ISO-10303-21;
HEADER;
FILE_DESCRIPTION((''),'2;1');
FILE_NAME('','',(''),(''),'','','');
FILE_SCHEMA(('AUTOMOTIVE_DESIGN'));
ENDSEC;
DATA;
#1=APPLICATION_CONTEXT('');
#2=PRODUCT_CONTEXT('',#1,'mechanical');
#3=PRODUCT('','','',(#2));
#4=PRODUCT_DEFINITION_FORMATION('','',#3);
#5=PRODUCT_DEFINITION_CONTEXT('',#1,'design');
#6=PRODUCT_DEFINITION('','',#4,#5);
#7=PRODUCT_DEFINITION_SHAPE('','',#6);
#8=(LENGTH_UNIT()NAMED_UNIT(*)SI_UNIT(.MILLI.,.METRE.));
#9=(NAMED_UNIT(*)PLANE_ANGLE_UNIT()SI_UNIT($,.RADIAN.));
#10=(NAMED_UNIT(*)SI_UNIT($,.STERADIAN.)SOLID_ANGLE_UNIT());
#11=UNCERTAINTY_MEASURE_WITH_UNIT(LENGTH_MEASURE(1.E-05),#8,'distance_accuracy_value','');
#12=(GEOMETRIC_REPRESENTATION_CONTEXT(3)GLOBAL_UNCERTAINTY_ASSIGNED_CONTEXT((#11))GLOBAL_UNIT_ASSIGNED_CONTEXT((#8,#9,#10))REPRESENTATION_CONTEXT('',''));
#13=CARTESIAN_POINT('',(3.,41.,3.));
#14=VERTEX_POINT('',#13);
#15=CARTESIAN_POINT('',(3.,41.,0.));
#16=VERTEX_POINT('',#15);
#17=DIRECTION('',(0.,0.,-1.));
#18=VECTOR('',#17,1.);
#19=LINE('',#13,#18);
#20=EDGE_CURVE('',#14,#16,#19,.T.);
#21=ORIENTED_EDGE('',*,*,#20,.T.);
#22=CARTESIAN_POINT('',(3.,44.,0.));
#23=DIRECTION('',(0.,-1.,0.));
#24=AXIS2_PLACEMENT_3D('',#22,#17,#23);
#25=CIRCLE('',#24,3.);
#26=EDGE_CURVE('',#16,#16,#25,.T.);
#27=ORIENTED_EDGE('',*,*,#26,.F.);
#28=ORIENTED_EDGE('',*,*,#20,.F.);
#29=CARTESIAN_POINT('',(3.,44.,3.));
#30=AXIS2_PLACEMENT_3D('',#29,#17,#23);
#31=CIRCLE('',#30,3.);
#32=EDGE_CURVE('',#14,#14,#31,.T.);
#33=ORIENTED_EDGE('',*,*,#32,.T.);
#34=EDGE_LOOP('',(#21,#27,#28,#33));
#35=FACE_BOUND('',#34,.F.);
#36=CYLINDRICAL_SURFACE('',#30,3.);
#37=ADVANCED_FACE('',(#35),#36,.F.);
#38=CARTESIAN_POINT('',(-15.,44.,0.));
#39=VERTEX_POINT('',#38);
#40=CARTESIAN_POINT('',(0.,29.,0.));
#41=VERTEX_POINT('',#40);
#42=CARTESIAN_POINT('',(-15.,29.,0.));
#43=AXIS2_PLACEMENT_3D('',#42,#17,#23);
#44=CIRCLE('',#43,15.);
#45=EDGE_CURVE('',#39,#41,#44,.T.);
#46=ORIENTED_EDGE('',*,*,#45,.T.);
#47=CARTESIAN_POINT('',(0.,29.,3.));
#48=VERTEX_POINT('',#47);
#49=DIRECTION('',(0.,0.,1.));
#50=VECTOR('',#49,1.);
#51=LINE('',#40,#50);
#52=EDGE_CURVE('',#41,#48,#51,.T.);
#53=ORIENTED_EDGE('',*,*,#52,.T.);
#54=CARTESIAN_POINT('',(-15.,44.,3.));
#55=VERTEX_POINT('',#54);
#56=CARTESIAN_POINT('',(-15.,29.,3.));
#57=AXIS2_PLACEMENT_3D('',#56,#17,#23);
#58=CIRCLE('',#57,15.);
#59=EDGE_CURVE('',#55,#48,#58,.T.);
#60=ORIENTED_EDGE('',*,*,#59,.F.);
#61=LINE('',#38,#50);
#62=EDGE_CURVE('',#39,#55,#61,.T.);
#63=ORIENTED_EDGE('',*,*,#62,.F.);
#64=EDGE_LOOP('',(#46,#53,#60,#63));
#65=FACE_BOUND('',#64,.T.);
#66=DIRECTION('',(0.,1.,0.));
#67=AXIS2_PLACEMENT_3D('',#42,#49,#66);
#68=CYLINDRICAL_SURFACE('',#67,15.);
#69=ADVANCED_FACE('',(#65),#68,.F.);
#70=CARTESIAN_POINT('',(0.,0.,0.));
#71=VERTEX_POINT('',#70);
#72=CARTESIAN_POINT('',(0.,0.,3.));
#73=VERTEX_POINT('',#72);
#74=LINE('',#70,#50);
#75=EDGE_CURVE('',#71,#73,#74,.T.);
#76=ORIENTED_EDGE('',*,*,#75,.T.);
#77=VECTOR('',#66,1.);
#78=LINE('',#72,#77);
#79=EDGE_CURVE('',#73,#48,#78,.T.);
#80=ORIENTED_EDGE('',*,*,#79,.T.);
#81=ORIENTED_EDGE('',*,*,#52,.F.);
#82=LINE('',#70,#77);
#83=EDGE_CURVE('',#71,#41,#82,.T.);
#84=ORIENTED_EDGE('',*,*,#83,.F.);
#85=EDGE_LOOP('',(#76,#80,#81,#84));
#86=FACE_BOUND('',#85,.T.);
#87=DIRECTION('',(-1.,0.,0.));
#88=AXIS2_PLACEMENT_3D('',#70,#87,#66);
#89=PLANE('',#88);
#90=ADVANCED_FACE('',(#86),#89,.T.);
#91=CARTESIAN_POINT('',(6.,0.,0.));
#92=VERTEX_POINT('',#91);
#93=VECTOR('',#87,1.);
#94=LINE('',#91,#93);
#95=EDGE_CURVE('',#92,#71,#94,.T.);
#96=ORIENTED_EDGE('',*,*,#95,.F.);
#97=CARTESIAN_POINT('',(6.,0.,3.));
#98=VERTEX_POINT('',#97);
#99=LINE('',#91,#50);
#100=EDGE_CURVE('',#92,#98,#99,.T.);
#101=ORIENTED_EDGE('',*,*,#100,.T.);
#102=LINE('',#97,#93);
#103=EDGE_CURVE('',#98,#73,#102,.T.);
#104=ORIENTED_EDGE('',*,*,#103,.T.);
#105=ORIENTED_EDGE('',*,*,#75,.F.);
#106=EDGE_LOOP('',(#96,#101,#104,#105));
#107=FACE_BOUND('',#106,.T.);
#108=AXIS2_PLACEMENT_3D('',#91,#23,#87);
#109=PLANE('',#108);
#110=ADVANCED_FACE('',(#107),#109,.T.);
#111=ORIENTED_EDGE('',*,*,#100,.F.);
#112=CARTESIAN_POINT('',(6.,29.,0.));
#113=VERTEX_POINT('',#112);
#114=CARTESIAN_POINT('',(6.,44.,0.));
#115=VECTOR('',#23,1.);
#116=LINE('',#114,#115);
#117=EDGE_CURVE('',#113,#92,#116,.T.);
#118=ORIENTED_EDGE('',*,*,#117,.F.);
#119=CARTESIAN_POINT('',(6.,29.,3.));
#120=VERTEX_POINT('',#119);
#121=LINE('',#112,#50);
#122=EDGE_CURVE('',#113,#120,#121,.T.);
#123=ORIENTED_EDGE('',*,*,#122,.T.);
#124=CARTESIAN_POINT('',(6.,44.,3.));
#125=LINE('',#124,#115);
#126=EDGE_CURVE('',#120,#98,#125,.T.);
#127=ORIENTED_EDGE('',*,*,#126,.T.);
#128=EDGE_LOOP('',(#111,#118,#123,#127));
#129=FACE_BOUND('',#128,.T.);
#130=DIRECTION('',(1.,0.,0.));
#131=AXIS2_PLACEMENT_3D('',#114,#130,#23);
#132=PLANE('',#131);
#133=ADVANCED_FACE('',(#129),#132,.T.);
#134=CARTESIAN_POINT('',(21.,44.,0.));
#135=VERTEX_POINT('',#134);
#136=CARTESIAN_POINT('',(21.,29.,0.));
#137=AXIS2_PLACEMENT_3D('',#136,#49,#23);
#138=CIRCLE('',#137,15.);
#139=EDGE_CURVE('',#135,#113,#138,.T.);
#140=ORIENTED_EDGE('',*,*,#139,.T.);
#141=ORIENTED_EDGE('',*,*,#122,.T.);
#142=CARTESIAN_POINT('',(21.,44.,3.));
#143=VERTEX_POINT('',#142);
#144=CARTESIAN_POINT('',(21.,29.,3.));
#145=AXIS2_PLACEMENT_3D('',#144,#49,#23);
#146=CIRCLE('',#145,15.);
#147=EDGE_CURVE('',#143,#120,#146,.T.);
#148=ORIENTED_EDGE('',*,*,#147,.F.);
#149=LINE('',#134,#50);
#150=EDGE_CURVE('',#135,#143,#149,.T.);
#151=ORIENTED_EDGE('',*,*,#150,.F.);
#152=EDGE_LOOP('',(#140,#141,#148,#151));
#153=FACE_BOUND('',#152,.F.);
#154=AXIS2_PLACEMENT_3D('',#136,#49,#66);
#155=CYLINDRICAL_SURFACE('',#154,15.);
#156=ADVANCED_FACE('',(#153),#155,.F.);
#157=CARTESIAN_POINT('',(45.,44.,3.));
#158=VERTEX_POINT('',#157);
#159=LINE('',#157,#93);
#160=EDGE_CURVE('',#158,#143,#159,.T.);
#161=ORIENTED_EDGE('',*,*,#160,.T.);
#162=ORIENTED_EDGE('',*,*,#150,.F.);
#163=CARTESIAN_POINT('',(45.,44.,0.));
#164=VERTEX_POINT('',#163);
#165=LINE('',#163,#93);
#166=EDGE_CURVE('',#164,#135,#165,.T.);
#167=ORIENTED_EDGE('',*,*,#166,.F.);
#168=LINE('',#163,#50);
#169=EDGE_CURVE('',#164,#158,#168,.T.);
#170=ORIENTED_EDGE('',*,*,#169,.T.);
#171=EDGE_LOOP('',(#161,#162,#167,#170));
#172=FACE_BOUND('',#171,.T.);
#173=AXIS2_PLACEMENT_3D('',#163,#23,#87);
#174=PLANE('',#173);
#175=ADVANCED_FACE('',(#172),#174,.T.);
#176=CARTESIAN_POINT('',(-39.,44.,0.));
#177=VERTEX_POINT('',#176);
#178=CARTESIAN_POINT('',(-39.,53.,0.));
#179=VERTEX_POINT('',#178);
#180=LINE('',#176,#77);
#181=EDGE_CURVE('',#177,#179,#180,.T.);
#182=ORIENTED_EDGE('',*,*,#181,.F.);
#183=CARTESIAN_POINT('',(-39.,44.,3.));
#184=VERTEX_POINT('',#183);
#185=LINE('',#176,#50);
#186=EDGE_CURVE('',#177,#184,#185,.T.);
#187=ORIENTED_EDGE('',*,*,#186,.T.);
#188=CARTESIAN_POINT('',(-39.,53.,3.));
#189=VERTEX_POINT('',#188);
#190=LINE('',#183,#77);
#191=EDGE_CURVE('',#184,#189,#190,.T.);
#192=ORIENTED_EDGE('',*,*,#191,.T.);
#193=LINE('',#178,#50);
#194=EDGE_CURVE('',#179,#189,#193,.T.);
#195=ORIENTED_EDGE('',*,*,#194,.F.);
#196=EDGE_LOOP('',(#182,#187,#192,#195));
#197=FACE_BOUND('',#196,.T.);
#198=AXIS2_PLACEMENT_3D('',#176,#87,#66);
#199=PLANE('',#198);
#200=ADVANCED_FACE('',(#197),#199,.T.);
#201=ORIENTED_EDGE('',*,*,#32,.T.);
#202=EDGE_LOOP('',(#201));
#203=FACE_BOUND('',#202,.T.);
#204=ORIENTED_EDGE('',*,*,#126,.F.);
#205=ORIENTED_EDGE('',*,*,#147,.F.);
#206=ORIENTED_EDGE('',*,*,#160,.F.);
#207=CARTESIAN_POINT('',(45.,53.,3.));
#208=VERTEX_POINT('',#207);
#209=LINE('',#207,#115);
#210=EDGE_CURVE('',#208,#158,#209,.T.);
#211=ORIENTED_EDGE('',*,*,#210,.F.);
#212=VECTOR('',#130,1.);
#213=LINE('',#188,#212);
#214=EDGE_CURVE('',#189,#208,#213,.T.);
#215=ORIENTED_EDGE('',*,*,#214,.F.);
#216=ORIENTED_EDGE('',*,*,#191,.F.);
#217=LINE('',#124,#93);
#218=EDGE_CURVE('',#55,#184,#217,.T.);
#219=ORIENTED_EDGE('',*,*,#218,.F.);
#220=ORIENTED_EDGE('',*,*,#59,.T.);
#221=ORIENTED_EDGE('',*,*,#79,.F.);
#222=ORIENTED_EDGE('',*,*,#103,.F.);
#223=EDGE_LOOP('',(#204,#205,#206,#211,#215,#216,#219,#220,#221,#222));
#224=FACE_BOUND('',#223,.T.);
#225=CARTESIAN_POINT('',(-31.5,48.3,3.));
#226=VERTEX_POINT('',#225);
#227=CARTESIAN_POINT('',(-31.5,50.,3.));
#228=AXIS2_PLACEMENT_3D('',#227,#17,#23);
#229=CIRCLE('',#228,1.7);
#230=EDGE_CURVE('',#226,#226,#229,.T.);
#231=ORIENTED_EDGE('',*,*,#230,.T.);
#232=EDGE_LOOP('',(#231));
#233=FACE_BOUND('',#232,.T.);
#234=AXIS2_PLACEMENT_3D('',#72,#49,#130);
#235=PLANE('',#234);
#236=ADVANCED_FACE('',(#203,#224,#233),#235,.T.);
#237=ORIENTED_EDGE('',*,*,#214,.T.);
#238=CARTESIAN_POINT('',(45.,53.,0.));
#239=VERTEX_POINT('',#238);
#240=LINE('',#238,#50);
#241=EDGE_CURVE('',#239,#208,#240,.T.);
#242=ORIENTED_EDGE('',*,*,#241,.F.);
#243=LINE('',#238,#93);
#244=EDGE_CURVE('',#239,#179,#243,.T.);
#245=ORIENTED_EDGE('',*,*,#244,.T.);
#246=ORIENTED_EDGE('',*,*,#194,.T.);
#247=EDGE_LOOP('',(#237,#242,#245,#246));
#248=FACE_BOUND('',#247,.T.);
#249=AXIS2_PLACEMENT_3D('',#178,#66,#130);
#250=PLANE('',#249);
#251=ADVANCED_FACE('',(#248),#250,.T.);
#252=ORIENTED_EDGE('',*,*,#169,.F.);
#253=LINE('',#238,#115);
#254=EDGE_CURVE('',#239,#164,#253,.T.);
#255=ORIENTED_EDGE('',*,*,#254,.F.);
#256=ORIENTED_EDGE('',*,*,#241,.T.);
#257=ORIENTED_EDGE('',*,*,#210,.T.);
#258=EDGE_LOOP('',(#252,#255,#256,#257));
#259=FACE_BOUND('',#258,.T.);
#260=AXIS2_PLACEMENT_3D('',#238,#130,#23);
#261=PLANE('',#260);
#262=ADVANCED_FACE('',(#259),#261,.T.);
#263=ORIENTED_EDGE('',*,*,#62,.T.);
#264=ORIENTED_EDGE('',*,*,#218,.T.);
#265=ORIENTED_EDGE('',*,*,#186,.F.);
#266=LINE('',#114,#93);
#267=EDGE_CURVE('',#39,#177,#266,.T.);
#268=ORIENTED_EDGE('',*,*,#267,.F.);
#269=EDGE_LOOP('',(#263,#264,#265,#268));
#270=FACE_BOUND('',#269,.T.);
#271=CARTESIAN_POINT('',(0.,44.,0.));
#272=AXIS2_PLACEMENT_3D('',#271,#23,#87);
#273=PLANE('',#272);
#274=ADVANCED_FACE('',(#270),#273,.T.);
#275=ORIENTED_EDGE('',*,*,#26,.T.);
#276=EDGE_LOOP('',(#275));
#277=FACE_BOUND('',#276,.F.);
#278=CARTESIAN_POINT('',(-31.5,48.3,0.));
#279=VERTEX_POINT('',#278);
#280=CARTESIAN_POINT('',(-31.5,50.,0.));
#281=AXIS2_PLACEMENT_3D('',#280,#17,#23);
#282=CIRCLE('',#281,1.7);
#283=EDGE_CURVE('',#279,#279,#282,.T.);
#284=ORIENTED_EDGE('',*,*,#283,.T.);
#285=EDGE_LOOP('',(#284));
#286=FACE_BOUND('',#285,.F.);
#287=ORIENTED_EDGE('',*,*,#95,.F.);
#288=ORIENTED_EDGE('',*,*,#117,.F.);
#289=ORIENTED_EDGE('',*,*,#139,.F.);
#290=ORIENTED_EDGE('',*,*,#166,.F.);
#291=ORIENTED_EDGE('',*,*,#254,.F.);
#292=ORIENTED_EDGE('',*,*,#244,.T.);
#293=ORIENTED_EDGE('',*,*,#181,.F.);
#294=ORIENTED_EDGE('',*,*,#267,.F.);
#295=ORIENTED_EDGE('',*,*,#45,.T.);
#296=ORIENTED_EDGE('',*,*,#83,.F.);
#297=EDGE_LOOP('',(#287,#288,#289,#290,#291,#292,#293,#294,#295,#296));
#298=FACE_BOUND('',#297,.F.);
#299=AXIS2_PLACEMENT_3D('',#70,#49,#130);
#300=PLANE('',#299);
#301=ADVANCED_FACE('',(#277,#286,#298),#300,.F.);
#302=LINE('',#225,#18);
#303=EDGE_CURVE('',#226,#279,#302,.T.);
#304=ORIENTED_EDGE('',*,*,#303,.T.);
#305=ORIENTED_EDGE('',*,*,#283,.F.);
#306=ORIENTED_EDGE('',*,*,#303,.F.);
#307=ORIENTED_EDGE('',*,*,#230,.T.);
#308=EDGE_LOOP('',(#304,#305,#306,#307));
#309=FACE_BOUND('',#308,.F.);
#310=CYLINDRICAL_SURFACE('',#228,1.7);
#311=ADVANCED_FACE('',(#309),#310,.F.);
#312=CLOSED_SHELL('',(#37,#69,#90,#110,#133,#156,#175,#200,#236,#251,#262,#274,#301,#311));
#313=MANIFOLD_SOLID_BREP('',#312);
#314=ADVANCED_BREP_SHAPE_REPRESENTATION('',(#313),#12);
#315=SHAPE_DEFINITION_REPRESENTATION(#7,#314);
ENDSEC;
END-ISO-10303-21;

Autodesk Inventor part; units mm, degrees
ref_plane "YZ Plane" through (0, 0, 0) normal (1, 0, 0) x (0, 1, 0)
ref_plane "XZ Plane" through (0, 0, 0) normal (0, 1, 0) x (-1, 0, 0)
ref_plane "XY Plane" through (0, 0, 0) normal (0, 0, 1) x (1, 0, 0)
sketch "Sketch1" plane through (0, 0, 0) normal (0, 0, 1) x (1, 0, 0)
  line L0 (-39, 53) -> (6, 53)
  line L1 (6, 53) -> (6, 44)
  line L2 (6, 44) -> (-39, 44)
  line L3 (-39, 44) -> (-39, 53)
  line L4 (0, 44) -> (6, 44)
  line L5 (6, 44) -> (6, 0)
  line L6 (6, 0) -> (0, 0)
  line L7 (0, 0) -> (0, 44)
  line L8 (6, 53) -> (45, 53)
  line L9 (45, 53) -> (45, 44)
  line L10 (45, 44) -> (6, 44)
  line L11 (6, 44) -> (6, 53)
  dimension "d1" = 9
  dimension "d2" = 45
  dimension "d3" = 6
  dimension "d17" = 53
  dimension "d19" = 45
extrude "Extrusion1" add sketch "Sketch1" along normal blind 3
fillet "Fillet1" radius 15 2 edges at (0, 44, 1.5) (6, 44, 1.5)
sketch "Sketch2" plane through (0, 0, 3) normal (0, 0, 1) x (1, 0, 0)
  line L0 (45, 53) -> (-39, 53) projected
  line L1 (6, 0) -> (6, 29) projected
  point P0 (0, 0)
  point P1 (3, 44)
  point P2 (6, 44)
  point P3 (-15, 44)
  dimension "d20" = 3
hole "Hole1" at (3, 44, 3) direction (0, 0, -1) diameter 6 end through all
sketch "Sketch3" plane through (0, 0, 3) normal (0, 0, 1) x (1, 0, 0)
  line L0 (-39, 53) -> (-39, 44) projected
  line L1 (45, 53) -> (-39, 53) projected
  line L2 (45, 44) -> (45, 53) projected
  point P0 (0, 0)
  point P1 (-31.5, 50)
  point P2 (-39, 48.5)
  dimension "d29" = 3
  dimension "d31" = 7.5
hole "Hole2" at (-31.5, 50, 3) direction (0, 0, -1) diameter 3.4 end through all clearance for "Flat Head Machine Screw" size "M3" standard "Ansi Metric M Profile"
equation "\"d19\" = d2"
properties part number "Top_Separator Lever" material "Nylon 6/6"
